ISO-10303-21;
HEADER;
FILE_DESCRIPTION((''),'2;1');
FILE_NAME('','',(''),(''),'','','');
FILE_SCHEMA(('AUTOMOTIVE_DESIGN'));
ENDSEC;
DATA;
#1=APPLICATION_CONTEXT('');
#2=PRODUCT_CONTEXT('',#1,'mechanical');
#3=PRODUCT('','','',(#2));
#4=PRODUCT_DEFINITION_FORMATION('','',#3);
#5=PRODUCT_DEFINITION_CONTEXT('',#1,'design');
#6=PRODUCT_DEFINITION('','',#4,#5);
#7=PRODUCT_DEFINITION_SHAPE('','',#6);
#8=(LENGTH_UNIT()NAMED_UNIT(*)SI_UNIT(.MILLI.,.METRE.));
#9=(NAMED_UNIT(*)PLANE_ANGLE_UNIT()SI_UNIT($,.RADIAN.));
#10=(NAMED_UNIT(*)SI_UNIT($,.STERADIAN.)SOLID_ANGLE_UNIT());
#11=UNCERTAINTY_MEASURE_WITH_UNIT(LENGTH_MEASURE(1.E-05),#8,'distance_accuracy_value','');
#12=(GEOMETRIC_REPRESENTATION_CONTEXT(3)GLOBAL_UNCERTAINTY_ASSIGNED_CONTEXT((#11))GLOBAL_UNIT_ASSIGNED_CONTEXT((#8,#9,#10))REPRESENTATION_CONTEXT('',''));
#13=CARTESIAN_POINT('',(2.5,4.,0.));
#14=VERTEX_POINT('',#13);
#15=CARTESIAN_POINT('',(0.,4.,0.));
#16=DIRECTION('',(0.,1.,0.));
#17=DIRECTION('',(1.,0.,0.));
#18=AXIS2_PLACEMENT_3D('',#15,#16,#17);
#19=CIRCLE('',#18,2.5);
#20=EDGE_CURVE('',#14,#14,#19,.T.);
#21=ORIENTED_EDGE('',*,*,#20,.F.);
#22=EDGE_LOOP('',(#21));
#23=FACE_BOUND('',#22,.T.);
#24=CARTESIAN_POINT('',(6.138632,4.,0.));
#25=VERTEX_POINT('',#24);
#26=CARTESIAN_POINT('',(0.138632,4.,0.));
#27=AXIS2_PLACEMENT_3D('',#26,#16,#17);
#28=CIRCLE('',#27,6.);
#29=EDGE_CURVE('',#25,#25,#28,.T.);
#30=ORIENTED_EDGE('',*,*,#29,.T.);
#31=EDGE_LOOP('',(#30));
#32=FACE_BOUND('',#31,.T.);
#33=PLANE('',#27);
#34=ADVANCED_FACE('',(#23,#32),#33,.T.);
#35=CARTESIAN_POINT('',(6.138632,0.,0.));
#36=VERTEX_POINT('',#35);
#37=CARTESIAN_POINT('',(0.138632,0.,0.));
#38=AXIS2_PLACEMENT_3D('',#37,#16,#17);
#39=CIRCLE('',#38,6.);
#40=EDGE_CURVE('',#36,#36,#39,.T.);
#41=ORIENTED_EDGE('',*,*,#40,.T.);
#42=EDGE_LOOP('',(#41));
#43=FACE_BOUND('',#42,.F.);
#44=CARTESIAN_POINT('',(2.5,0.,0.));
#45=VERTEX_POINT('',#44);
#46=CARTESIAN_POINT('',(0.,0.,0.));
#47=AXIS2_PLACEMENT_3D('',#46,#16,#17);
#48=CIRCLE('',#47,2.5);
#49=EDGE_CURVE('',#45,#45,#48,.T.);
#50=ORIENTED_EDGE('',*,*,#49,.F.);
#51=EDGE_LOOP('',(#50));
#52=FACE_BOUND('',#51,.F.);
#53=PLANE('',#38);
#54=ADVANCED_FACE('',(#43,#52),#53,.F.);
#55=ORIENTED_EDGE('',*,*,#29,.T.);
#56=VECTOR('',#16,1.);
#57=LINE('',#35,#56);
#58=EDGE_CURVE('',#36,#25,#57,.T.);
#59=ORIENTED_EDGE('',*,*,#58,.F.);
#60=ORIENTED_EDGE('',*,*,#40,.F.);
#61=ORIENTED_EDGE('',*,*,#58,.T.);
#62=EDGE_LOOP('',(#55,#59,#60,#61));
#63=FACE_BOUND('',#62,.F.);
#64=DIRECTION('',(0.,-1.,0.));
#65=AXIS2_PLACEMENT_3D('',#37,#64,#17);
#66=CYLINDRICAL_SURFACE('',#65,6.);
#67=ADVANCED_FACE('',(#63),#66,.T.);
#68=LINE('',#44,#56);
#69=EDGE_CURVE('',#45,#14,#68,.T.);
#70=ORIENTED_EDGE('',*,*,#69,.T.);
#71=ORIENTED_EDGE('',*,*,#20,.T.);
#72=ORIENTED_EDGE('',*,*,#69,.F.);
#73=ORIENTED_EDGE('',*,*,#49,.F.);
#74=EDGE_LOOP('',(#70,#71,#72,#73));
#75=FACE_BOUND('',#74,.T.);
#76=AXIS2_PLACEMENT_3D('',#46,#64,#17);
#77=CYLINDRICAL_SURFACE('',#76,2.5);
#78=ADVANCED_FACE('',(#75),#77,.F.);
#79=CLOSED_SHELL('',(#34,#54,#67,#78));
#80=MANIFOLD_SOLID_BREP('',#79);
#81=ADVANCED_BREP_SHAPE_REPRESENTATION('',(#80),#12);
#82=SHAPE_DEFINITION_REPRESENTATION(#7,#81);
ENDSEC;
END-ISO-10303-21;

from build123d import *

# Parameters (mm, degrees)
SKETCH1_R           = 6
SKETCH1_R_2         = 2.5
BOSS_EXTRUDE1_DEPTH = 4


with BuildPart() as part:
    # Sketch1 → Boss-Extrude1 (new body)
    with BuildSketch(Plane(origin=(0, 0, 0), x_dir=(1, 0, 0), z_dir=(0, 1, 0))):
        with Locations((0.138632131, 0)):
            Circle(SKETCH1_R)
        Circle(SKETCH1_R_2, mode=Mode.SUBTRACT)
    extrude(amount=BOSS_EXTRUDE1_DEPTH)


solid = part.part
